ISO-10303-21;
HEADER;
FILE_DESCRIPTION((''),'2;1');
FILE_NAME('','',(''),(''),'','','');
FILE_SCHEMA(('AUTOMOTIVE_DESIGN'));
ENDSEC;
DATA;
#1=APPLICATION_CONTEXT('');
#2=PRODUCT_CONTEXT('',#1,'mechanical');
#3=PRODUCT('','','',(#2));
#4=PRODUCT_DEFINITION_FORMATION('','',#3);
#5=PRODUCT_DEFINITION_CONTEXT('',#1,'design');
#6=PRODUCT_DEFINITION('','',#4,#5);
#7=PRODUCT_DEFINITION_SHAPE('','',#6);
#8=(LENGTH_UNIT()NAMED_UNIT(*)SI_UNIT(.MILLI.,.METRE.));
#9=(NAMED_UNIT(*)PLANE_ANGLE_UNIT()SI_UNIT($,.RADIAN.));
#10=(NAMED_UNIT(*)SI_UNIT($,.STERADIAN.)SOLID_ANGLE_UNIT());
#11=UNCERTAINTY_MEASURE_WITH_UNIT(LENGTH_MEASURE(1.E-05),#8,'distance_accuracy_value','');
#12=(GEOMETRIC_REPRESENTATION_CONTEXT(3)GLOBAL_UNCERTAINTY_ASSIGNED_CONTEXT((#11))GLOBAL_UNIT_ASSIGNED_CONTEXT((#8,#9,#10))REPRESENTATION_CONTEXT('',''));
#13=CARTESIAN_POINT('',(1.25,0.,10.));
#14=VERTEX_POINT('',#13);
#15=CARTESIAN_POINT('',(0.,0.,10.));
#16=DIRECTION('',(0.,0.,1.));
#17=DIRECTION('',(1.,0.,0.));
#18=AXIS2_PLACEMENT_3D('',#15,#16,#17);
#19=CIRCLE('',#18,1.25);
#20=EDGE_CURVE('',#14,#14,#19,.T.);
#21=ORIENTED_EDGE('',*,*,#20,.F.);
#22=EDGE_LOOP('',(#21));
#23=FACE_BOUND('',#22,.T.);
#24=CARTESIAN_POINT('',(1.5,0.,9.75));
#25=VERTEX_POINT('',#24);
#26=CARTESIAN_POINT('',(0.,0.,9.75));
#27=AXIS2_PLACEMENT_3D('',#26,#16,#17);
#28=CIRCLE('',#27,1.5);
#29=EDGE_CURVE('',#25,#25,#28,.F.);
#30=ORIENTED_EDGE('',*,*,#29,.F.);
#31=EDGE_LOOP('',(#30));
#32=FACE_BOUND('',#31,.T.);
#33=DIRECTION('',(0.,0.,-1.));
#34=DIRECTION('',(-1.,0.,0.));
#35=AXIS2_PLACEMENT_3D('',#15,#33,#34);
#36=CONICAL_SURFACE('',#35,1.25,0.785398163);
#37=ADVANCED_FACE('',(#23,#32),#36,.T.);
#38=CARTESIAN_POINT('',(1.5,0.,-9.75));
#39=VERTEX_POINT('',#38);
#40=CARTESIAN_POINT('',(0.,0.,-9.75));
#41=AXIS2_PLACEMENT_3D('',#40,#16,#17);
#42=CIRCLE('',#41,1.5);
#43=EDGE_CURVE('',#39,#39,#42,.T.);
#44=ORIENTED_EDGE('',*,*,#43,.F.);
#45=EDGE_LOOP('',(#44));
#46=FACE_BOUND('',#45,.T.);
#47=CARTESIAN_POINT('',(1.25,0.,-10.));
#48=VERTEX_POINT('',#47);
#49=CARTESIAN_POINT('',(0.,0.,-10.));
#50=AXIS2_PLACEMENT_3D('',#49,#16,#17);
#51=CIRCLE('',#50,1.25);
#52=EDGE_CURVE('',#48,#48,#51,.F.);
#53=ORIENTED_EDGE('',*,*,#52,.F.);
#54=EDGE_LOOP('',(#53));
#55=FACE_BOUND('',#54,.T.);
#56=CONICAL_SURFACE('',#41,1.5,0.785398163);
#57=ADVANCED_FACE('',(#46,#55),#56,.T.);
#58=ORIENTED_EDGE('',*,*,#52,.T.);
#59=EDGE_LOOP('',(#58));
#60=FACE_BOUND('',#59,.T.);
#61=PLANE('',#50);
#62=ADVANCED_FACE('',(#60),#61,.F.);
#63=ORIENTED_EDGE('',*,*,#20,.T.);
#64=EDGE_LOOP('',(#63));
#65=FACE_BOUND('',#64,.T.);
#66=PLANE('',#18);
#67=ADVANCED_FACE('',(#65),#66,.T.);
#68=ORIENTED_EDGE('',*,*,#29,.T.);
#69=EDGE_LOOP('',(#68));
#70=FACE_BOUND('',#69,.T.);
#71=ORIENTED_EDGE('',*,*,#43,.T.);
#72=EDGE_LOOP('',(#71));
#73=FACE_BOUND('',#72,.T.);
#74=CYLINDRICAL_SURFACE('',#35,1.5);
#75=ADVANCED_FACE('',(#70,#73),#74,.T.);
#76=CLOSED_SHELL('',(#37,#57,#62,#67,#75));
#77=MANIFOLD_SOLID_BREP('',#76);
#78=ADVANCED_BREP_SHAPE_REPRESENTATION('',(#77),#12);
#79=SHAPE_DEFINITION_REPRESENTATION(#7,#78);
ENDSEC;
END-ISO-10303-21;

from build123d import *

# Parameters (mm, degrees)
SKETCH1_R           = 1.5
BOSS_EXTRUDE1_DEPTH = 10
CHAMFER2_SIZE       = 0.25


with BuildPart() as part:
    # Sketch1 → Boss-Extrude1 (new body, symmetric)
    with BuildSketch(Plane.XY):
        Circle(SKETCH1_R)
    extrude(amount=BOSS_EXTRUDE1_DEPTH, both=True)

    # Chamfer2
    chamfer2_edges = [part.edges().sort_by_distance(p)[0] for p in [
        (-1.5, 0, -10),
        (-1.5, 0, 10),
    ]]
    chamfer(chamfer2_edges, length=CHAMFER2_SIZE)


solid = part.part
